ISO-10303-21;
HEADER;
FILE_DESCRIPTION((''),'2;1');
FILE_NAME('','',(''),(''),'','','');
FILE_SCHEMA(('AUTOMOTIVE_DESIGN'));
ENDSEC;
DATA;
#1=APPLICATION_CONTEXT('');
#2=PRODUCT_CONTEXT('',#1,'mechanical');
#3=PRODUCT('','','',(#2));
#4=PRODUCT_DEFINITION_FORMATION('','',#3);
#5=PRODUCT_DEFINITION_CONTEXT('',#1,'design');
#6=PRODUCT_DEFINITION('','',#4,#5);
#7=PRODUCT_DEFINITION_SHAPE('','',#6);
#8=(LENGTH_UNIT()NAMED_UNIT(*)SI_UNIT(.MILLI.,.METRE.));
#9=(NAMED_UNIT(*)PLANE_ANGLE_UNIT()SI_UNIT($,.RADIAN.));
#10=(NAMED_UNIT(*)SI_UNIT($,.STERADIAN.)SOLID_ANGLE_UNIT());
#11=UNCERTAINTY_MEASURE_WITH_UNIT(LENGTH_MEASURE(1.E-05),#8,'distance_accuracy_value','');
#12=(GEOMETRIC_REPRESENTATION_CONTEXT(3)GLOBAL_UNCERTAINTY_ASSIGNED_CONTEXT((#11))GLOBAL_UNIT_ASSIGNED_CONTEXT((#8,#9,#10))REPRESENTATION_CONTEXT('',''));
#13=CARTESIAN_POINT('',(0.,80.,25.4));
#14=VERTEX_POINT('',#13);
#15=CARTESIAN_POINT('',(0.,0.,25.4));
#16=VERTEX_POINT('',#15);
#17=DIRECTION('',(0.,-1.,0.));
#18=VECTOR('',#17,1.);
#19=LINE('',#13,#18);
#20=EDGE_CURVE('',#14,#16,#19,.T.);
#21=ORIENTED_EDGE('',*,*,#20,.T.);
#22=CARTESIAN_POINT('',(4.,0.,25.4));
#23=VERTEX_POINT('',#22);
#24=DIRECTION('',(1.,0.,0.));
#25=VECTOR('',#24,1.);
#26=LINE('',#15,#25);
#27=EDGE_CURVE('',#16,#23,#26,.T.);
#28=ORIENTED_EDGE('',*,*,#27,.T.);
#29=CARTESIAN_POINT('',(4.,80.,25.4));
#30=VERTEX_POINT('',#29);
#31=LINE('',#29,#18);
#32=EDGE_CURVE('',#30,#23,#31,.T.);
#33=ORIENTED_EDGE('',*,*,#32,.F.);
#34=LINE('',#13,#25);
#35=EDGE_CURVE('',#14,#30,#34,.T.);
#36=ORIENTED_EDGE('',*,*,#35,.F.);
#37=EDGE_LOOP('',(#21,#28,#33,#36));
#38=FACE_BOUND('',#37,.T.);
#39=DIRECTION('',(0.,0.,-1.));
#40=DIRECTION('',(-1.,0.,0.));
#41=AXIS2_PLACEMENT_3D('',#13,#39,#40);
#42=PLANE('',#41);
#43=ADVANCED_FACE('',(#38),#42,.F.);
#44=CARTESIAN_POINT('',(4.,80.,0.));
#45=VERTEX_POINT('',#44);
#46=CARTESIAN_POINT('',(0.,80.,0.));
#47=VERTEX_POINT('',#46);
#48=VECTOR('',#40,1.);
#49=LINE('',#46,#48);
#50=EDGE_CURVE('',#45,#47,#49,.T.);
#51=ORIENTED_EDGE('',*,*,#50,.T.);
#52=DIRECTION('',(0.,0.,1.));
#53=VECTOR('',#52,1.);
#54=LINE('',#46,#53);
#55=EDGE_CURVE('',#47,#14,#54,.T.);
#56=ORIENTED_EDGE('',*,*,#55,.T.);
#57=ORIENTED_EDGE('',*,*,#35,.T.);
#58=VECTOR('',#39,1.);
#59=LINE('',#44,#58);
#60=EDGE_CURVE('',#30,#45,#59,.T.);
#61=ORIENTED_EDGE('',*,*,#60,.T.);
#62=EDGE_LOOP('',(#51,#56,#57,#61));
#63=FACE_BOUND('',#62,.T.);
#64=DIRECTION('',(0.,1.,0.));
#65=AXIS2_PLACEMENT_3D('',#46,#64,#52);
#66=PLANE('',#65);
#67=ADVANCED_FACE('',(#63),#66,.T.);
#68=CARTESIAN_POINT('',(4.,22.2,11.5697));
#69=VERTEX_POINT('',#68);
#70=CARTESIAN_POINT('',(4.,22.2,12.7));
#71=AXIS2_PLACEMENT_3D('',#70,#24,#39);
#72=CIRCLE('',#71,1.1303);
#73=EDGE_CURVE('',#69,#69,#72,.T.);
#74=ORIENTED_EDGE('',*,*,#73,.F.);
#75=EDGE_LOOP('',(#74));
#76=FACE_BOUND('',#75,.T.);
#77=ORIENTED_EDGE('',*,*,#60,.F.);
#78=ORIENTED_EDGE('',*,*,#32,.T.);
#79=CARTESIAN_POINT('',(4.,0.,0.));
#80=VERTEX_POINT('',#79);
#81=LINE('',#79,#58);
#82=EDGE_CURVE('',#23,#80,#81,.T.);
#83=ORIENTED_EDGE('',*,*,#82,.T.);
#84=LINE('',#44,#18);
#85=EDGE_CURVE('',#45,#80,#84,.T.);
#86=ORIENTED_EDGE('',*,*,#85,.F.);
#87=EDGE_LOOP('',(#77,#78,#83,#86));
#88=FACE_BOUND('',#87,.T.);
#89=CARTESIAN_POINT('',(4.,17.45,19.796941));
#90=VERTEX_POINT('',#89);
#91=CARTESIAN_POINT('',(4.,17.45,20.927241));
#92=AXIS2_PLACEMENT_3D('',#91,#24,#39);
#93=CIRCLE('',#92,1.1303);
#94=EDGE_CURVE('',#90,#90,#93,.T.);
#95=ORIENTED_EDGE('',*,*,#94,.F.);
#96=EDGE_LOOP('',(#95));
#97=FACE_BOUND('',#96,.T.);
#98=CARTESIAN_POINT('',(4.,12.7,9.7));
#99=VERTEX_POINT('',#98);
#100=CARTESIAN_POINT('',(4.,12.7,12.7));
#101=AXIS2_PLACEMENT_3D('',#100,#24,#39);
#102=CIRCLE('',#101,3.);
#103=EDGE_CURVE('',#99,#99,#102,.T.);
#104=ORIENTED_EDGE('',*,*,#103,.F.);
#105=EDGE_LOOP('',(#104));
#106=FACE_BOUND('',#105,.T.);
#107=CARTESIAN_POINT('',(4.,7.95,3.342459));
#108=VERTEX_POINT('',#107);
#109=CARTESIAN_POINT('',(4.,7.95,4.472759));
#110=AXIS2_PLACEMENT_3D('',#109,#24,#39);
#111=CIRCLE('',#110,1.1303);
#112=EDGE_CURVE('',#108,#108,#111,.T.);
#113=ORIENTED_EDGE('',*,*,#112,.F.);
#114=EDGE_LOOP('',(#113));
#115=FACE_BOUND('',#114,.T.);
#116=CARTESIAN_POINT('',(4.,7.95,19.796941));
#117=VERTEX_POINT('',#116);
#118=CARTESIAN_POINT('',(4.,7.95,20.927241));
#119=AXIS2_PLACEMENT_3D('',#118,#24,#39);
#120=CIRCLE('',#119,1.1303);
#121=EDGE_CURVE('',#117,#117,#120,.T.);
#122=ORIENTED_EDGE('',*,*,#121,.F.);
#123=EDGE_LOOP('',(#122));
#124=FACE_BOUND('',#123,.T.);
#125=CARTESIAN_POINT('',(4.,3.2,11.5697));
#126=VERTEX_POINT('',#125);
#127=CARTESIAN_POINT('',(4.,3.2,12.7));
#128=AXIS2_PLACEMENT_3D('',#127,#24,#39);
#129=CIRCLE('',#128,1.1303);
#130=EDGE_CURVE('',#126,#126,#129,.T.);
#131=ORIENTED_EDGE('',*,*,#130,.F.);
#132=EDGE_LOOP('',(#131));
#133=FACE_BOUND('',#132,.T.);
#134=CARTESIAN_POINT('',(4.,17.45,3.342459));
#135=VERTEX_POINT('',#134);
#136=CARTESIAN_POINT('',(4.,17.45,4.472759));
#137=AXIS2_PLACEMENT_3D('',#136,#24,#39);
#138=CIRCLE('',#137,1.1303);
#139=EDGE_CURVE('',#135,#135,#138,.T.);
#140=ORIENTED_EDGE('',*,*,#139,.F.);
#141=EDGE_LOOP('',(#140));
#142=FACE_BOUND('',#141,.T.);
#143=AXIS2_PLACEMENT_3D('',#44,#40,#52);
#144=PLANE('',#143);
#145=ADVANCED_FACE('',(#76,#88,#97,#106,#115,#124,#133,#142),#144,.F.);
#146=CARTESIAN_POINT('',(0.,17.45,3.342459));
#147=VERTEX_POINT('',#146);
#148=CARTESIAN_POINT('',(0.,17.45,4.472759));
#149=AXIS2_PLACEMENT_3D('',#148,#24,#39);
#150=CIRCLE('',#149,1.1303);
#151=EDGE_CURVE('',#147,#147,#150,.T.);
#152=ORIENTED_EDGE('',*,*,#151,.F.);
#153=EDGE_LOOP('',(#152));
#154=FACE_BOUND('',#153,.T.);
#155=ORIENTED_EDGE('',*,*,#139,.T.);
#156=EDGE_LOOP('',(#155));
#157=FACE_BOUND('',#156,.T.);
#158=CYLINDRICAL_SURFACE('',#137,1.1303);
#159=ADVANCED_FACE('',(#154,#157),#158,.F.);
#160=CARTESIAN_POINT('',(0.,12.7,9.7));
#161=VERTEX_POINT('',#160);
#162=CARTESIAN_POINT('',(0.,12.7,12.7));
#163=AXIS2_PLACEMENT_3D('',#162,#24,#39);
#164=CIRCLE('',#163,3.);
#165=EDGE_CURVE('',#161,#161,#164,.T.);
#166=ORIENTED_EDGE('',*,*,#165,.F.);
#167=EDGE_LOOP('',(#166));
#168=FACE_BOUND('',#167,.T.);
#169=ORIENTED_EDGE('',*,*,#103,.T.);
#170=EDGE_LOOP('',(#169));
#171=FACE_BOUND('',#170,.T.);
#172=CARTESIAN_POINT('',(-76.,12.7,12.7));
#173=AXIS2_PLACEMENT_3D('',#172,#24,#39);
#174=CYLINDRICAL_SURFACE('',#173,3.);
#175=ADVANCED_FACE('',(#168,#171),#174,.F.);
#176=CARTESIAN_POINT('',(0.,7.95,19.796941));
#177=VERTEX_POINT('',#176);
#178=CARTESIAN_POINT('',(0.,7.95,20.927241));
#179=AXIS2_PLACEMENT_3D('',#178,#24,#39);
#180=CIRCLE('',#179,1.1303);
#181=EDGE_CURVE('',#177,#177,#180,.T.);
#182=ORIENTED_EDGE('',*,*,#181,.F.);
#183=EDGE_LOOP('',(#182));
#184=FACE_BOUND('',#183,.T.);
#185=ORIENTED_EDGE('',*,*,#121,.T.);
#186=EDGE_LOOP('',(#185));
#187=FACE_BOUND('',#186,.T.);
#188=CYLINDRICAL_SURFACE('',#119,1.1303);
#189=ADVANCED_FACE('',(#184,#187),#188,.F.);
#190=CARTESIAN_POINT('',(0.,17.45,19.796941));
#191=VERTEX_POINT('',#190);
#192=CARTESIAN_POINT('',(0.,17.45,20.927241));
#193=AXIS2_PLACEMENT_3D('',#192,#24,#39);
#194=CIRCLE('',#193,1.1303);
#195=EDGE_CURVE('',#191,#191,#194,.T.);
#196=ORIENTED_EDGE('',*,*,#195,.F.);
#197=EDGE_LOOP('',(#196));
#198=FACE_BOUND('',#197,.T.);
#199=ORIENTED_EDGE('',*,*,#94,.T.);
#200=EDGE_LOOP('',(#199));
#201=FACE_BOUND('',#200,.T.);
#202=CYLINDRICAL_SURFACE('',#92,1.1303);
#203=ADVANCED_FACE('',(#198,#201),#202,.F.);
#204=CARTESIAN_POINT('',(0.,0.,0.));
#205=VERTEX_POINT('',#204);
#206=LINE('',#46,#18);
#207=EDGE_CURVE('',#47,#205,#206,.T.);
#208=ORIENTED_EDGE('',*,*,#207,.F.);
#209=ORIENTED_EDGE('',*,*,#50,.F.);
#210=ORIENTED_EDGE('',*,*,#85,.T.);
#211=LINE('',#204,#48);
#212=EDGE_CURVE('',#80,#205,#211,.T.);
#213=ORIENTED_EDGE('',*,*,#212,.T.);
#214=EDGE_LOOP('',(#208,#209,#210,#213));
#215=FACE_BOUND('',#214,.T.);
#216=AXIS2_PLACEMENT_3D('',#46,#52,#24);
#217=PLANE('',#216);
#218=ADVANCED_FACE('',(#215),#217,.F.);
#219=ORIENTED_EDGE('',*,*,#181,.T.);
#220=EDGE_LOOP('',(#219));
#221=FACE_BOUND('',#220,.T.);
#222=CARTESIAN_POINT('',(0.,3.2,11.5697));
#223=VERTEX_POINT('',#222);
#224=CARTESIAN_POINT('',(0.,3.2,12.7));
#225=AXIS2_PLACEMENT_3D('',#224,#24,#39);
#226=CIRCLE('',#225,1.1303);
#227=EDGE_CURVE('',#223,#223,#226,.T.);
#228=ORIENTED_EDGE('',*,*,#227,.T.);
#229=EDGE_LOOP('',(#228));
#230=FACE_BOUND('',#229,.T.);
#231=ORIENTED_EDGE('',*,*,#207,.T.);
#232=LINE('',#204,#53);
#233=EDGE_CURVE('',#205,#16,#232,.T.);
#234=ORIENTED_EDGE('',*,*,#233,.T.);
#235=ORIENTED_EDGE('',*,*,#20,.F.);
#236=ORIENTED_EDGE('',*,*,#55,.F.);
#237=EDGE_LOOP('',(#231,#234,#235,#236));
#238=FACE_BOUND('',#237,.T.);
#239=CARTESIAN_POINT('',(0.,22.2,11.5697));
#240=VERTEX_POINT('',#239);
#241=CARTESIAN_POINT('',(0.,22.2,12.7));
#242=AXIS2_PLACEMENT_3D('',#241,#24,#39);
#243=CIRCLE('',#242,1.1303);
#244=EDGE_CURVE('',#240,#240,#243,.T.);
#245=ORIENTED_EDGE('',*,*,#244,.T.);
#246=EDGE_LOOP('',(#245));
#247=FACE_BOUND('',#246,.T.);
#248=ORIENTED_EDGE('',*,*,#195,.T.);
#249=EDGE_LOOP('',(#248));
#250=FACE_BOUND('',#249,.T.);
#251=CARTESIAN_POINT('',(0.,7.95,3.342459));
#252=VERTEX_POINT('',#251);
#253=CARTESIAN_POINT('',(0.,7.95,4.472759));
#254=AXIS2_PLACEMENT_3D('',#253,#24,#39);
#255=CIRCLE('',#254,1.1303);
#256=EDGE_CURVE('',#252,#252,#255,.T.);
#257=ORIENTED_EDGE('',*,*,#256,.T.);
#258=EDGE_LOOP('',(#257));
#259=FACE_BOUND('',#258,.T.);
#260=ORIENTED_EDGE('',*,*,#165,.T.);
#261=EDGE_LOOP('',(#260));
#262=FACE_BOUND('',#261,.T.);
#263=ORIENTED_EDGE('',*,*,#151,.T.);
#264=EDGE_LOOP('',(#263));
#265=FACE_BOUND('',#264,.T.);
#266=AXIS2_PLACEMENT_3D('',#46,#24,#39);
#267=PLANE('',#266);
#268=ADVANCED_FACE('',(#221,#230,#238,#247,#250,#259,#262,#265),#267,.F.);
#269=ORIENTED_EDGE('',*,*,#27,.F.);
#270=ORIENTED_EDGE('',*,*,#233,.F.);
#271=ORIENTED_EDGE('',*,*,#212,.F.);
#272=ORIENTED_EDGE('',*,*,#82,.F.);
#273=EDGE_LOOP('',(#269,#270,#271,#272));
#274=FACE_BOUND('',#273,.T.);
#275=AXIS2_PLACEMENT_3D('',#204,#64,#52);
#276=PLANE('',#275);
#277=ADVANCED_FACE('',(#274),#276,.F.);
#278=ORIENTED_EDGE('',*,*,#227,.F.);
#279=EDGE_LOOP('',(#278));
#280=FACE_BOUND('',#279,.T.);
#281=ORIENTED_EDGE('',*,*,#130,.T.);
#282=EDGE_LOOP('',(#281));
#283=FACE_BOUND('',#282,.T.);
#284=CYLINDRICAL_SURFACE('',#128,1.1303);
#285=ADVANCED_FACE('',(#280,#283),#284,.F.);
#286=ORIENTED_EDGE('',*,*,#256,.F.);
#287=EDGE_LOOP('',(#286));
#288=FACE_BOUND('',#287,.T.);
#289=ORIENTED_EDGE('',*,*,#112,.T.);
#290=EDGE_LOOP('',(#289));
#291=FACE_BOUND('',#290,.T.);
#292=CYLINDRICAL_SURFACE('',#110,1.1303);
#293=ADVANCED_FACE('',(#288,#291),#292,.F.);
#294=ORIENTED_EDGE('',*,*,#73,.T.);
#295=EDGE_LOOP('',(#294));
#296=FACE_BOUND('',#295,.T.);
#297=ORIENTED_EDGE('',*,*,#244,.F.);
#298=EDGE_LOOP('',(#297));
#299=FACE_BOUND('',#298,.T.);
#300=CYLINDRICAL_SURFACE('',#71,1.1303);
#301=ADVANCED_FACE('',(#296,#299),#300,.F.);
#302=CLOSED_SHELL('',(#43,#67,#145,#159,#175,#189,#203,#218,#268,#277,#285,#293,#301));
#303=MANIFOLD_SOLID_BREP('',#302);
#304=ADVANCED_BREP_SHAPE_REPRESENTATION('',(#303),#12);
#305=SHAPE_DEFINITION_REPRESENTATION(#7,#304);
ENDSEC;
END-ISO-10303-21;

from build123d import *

# Parameters (mm, degrees)
SKETCH2_W                 = 4
SKETCH2_H                 = 25.4
BOSS_EXTRUDE1_DEPTH       = 80
F_4_40_TAPPED_HOLE1_D     = 2.2606
F_4_40_TAPPED_HOLE1_DEPTH = 7.6
F_4_40_TAPPED_HOLE1_TIP   = 0.679152758
SKETCH6_R                 = 3
CUT_EXTRUDE1_DEPTH        = 80


with BuildPart() as part:
    # Sketch2 → Boss-Extrude1 (new body)
    with BuildSketch(Plane(origin=(0, 0, 0), x_dir=(1, 0, 0), z_dir=(0, 1, 0))):
        with Locations((2, -12.7)):
            Rectangle(SKETCH2_W, SKETCH2_H)
    extrude(amount=BOSS_EXTRUDE1_DEPTH)

    # #4-40 Tapped Hole1
    with Locations(Plane(origin=(4, 0, 0), x_dir=(0, 0, -1), z_dir=(1, 0, 0))):
        with Locations((-12.7, 22.2), (-4.472758664, 17.45), (-4.472758664, 7.95), (-12.7, 3.2), (-20.927241336, 7.95), (-20.927241336, 17.45)):
            Hole(F_4_40_TAPPED_HOLE1_D / 2, depth=F_4_40_TAPPED_HOLE1_DEPTH)
            with Locations((0, 0, -(F_4_40_TAPPED_HOLE1_DEPTH + F_4_40_TAPPED_HOLE1_TIP / 2))):  # 118° drill point
                Cone(0, F_4_40_TAPPED_HOLE1_D / 2, F_4_40_TAPPED_HOLE1_TIP, mode=Mode.SUBTRACT)

    # Sketch6 → Cut-Extrude1 (cut)
    with BuildSketch(Plane(origin=(4, 0, 0), x_dir=(0, 0, -1), z_dir=(1, 0, 0))):
        with Locations((-12.7, 12.7)):
            Circle(SKETCH6_R)
    extrude(amount=-CUT_EXTRUDE1_DEPTH, mode=Mode.SUBTRACT)


solid = part.part
